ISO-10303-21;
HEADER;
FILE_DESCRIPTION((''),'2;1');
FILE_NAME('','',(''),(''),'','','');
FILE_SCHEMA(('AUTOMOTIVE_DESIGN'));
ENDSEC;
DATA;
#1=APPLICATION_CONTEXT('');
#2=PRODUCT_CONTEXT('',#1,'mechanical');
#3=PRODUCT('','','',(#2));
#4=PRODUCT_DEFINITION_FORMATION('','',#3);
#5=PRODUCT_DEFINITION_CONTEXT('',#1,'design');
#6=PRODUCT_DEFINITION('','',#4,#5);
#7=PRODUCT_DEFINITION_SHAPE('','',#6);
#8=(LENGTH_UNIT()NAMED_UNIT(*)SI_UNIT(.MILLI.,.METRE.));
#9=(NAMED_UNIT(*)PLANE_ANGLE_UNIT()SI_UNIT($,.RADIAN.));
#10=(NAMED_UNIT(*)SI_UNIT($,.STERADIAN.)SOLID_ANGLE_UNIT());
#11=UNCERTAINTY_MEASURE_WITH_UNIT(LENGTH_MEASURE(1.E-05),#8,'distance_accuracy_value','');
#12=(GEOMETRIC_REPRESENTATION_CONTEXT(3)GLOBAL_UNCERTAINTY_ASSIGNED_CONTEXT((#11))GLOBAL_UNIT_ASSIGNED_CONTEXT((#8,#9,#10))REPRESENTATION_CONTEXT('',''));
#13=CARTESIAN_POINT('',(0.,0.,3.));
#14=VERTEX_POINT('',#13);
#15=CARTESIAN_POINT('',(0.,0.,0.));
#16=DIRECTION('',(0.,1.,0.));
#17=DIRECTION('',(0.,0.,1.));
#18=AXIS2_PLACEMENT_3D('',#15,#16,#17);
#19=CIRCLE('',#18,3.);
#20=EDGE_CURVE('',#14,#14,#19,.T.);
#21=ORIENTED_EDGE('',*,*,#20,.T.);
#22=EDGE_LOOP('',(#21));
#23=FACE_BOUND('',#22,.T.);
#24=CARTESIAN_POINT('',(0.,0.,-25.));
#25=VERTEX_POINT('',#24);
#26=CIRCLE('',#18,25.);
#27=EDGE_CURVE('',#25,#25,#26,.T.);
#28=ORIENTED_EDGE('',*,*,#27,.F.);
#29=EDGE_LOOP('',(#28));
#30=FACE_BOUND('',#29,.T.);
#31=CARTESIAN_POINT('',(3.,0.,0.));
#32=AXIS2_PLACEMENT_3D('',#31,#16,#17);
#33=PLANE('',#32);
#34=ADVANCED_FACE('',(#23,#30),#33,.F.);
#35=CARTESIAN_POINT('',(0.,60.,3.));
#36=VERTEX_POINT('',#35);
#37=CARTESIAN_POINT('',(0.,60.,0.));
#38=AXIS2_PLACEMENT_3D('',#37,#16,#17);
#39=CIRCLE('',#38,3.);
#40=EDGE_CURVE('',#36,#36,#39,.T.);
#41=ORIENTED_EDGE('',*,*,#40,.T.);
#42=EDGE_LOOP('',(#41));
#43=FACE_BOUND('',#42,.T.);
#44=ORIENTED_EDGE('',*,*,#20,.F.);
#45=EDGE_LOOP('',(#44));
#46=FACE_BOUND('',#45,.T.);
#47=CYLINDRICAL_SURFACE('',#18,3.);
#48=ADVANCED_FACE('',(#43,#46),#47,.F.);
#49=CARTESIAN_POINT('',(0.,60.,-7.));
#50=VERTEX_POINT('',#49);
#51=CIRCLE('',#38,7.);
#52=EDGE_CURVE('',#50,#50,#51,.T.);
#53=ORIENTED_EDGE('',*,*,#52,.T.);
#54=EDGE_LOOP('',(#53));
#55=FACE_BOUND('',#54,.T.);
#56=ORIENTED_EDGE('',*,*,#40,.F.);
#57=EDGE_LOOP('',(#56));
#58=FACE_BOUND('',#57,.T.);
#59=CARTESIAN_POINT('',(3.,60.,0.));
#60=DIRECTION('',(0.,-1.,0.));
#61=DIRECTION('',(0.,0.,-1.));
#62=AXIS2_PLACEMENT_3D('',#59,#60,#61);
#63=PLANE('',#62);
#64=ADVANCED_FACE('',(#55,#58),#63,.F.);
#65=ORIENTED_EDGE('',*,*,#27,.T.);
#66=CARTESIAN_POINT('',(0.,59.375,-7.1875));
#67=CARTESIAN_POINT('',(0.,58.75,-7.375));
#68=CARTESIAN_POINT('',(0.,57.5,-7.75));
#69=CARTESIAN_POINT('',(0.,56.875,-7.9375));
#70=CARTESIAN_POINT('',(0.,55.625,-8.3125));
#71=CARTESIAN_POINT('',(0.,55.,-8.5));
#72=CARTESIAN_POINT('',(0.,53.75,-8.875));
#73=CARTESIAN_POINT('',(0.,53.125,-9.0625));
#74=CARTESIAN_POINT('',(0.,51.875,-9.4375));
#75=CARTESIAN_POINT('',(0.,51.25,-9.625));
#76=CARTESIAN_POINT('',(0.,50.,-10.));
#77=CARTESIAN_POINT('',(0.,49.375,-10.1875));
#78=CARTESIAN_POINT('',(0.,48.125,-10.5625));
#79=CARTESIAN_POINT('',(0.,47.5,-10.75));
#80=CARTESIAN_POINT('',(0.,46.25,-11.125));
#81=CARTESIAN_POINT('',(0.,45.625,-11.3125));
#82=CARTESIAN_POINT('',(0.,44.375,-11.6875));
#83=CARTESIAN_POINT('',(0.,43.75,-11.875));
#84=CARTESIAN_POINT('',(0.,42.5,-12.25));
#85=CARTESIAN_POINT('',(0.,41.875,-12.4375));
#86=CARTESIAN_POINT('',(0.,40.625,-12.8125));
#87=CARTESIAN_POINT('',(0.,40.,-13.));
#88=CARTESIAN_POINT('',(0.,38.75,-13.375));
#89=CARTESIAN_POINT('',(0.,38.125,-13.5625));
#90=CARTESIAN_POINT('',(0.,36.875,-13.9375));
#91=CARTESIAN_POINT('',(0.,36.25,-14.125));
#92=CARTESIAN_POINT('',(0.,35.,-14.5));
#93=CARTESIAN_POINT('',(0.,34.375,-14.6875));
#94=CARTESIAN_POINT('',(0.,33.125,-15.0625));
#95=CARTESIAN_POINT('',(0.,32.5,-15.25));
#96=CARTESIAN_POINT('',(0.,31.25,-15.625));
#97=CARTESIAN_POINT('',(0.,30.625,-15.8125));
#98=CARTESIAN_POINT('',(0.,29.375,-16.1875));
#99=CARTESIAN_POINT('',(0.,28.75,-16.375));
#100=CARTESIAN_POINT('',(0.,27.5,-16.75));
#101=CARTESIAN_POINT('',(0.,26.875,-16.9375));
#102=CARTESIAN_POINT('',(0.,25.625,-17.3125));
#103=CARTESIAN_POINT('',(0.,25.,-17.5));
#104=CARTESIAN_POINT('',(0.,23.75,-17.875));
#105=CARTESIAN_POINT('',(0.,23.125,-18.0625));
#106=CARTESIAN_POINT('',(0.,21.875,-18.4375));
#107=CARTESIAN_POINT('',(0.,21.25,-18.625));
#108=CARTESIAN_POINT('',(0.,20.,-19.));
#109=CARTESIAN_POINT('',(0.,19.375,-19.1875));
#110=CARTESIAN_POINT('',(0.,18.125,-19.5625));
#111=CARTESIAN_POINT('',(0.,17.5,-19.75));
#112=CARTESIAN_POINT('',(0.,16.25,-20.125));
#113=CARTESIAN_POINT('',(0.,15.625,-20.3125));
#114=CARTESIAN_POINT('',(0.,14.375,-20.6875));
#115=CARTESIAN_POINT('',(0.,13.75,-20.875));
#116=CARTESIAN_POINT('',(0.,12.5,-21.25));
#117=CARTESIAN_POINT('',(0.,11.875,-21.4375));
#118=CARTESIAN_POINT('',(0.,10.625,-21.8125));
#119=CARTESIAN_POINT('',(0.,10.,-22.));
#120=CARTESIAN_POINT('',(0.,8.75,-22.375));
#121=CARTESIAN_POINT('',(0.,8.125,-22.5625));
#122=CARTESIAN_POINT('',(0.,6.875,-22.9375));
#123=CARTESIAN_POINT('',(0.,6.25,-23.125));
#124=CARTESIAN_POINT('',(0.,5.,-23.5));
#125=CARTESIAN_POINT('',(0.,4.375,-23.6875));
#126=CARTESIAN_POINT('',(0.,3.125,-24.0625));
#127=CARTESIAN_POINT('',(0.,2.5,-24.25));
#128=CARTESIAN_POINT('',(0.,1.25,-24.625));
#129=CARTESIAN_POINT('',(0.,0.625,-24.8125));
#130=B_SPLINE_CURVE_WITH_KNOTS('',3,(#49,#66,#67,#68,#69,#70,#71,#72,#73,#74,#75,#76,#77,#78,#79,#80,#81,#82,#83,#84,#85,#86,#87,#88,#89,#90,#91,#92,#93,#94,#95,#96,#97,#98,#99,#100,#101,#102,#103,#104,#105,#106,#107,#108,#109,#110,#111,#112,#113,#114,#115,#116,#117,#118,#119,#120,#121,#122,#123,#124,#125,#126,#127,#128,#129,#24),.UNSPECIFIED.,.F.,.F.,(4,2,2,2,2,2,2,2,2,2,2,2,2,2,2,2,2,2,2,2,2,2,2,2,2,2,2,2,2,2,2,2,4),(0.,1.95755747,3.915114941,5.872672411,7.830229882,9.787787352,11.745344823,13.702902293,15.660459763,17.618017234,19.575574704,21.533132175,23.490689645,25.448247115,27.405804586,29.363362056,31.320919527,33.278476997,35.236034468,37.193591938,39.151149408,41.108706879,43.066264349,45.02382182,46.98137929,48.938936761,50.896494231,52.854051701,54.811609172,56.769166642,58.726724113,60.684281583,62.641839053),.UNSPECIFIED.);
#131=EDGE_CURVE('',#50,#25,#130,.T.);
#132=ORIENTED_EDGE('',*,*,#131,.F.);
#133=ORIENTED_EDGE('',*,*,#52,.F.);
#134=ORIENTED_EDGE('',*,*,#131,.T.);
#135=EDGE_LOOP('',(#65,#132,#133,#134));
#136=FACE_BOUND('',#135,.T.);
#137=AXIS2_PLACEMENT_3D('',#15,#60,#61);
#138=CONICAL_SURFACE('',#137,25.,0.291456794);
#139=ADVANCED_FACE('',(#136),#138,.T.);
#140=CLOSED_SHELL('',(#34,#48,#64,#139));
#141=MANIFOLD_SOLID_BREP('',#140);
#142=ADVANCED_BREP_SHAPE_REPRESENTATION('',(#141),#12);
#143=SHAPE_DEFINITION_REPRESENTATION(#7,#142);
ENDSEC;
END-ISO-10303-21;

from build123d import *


with BuildPart() as part:
    # Эскиз1 → Повернуть1 (revolve)
    with BuildSketch(Plane.XY, mode=Mode.PRIVATE) as revolve_1_sk:
        Polygon((3, 60), (3, 0), (25, 0), (7, 60), align=None)
    revolve(revolve_1_sk.sketch.rotate(Axis((0, 0, 0), (0, 1, 0)), 90), axis=Axis((0, 0, 0), (0, 1, 0)))


solid = part.part
